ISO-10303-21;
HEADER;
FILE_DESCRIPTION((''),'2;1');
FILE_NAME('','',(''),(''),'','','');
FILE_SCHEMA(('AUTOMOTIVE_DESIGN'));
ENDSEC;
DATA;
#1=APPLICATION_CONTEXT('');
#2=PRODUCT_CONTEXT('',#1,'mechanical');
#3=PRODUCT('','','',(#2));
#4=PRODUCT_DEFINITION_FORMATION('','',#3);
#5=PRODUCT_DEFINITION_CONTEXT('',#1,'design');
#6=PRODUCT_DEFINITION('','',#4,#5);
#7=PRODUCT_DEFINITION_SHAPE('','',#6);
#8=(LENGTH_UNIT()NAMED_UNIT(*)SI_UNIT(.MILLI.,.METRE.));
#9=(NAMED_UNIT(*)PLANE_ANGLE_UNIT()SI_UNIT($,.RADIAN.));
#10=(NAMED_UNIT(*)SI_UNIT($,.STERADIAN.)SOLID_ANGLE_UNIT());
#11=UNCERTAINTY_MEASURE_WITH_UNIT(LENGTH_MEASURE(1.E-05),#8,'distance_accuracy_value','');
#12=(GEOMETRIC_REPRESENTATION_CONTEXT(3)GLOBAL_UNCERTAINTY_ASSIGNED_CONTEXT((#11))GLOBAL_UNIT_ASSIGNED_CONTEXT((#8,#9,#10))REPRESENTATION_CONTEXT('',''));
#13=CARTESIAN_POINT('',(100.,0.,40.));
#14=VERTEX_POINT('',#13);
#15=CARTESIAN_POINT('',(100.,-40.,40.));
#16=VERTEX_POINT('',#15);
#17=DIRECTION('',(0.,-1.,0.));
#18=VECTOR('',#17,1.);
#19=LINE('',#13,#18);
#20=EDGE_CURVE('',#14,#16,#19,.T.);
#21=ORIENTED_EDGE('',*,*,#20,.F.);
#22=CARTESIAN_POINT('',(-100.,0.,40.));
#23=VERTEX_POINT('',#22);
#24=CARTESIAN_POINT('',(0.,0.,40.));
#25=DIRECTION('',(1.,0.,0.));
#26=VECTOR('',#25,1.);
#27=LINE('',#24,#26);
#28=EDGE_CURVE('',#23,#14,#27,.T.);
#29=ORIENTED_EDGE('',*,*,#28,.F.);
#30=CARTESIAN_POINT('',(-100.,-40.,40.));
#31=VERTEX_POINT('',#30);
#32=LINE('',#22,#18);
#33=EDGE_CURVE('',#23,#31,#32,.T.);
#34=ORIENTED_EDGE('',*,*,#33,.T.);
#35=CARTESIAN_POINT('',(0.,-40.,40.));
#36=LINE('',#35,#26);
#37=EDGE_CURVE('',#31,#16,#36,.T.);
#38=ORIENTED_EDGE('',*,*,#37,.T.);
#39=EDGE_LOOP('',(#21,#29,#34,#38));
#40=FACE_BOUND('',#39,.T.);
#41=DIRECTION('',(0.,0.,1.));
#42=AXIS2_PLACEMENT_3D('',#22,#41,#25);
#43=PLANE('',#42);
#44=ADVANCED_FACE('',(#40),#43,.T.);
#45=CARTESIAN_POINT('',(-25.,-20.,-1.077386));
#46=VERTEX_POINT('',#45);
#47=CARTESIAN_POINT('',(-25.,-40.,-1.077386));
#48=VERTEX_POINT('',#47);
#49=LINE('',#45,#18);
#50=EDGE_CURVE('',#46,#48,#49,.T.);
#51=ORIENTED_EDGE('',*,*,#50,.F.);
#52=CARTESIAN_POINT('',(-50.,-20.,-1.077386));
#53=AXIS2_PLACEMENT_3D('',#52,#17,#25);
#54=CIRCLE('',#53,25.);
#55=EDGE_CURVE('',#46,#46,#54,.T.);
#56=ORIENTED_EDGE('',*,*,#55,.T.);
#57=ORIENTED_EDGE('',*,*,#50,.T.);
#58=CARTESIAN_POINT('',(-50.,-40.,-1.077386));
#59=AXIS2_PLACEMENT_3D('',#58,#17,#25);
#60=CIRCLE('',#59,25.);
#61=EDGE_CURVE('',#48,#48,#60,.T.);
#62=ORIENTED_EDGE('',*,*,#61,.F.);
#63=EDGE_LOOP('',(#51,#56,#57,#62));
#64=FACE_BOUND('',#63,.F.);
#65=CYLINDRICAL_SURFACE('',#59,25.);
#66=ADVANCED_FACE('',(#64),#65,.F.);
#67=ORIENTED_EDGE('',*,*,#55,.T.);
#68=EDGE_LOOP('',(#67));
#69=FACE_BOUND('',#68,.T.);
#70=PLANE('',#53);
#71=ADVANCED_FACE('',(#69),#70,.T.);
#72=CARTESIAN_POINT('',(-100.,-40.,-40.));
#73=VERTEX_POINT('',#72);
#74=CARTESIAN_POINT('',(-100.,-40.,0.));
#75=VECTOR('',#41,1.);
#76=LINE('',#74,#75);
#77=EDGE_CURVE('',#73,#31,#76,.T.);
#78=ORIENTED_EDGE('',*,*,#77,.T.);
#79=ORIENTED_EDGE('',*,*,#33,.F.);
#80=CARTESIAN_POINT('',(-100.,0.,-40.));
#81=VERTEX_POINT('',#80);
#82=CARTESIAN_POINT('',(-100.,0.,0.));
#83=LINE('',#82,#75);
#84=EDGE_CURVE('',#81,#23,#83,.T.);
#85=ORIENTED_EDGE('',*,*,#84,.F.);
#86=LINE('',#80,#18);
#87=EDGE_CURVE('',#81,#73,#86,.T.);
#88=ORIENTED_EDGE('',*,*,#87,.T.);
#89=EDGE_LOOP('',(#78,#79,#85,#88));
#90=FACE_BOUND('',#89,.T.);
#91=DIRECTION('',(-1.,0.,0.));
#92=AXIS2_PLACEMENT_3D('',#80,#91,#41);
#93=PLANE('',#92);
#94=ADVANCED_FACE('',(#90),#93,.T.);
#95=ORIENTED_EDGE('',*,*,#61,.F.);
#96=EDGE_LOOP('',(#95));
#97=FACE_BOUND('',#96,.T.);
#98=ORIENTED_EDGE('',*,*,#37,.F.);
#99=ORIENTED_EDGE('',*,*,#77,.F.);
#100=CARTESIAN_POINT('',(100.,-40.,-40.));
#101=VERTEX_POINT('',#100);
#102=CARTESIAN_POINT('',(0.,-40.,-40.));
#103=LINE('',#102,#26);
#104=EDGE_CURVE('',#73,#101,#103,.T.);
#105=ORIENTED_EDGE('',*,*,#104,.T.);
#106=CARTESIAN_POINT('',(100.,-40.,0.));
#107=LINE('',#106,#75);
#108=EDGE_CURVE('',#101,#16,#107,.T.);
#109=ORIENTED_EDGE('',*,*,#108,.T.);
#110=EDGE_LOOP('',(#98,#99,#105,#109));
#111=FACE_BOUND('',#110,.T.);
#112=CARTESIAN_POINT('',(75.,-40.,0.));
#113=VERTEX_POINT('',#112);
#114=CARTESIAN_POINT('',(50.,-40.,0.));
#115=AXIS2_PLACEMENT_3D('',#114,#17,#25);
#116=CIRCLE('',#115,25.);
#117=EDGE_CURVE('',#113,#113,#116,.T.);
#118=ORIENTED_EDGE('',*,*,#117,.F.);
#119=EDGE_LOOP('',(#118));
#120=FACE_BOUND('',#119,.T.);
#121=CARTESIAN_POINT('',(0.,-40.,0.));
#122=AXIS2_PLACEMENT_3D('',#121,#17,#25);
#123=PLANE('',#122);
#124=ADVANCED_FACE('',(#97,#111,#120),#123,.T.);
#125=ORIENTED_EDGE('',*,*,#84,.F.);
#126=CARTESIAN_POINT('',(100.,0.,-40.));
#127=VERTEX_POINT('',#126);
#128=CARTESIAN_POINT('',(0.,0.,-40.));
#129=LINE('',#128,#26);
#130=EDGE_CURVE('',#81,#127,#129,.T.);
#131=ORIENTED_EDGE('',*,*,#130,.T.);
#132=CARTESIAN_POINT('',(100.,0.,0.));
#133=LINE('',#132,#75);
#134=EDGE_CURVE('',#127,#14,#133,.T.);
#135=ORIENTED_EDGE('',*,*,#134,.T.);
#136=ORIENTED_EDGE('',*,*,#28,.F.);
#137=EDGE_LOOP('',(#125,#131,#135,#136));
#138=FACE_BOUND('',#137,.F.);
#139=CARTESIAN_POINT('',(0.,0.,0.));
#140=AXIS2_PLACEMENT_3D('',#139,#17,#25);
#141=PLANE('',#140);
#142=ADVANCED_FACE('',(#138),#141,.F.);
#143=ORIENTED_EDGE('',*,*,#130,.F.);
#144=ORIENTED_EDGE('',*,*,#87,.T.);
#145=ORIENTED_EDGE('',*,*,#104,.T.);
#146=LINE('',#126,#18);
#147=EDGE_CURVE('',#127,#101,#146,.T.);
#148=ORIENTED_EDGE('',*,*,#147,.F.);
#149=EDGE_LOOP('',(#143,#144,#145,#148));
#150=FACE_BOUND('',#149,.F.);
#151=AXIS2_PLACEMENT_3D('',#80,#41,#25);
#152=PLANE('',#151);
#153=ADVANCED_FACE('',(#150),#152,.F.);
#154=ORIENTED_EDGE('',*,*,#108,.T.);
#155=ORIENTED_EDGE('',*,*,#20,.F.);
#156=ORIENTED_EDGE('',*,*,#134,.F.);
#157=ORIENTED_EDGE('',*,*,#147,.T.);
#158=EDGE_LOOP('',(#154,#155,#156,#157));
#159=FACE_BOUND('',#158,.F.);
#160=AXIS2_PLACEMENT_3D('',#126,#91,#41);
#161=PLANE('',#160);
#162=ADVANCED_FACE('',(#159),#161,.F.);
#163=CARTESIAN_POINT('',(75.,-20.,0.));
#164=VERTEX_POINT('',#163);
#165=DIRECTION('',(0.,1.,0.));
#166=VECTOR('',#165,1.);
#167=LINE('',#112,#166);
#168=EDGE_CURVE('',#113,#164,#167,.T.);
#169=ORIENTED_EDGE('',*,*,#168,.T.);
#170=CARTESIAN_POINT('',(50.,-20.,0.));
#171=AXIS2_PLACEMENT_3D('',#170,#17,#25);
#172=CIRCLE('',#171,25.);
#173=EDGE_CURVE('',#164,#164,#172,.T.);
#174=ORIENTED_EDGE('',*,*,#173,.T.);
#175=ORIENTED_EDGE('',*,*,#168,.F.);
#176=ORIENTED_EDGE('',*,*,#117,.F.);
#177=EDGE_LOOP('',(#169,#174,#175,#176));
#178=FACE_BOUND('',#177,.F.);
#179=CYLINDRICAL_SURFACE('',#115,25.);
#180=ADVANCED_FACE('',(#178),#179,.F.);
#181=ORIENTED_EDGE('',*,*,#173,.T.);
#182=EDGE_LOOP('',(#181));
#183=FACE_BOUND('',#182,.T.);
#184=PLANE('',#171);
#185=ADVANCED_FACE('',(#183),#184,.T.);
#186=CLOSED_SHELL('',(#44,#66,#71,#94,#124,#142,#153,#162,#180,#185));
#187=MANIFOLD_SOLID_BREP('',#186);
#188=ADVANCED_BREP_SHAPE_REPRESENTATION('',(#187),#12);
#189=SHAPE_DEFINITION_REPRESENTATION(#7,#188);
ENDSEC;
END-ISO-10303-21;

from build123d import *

# Parameters (mm, degrees)
F0_W     = 200
F0_H     = 80
F1_DEPTH = 40
F2_R     = 25
F3_DEPTH = 20


with BuildPart() as f1:
    # F0 (on Front) → F1 (new body)
    with BuildSketch(Plane.XZ):
        Rectangle(F0_W, F0_H)
    extrude(amount=F1_DEPTH)

    # F2 (on face) → F3 (cut, symmetric)
    with BuildSketch(Plane.XZ.offset(40)):
        with Locations((50, 0)):
            Circle(F2_R)
        with Locations((-50, -1.0773862813)):
            Circle(F2_R)
    extrude(amount=F3_DEPTH, both=True, mode=Mode.SUBTRACT)


solid = f1.part
